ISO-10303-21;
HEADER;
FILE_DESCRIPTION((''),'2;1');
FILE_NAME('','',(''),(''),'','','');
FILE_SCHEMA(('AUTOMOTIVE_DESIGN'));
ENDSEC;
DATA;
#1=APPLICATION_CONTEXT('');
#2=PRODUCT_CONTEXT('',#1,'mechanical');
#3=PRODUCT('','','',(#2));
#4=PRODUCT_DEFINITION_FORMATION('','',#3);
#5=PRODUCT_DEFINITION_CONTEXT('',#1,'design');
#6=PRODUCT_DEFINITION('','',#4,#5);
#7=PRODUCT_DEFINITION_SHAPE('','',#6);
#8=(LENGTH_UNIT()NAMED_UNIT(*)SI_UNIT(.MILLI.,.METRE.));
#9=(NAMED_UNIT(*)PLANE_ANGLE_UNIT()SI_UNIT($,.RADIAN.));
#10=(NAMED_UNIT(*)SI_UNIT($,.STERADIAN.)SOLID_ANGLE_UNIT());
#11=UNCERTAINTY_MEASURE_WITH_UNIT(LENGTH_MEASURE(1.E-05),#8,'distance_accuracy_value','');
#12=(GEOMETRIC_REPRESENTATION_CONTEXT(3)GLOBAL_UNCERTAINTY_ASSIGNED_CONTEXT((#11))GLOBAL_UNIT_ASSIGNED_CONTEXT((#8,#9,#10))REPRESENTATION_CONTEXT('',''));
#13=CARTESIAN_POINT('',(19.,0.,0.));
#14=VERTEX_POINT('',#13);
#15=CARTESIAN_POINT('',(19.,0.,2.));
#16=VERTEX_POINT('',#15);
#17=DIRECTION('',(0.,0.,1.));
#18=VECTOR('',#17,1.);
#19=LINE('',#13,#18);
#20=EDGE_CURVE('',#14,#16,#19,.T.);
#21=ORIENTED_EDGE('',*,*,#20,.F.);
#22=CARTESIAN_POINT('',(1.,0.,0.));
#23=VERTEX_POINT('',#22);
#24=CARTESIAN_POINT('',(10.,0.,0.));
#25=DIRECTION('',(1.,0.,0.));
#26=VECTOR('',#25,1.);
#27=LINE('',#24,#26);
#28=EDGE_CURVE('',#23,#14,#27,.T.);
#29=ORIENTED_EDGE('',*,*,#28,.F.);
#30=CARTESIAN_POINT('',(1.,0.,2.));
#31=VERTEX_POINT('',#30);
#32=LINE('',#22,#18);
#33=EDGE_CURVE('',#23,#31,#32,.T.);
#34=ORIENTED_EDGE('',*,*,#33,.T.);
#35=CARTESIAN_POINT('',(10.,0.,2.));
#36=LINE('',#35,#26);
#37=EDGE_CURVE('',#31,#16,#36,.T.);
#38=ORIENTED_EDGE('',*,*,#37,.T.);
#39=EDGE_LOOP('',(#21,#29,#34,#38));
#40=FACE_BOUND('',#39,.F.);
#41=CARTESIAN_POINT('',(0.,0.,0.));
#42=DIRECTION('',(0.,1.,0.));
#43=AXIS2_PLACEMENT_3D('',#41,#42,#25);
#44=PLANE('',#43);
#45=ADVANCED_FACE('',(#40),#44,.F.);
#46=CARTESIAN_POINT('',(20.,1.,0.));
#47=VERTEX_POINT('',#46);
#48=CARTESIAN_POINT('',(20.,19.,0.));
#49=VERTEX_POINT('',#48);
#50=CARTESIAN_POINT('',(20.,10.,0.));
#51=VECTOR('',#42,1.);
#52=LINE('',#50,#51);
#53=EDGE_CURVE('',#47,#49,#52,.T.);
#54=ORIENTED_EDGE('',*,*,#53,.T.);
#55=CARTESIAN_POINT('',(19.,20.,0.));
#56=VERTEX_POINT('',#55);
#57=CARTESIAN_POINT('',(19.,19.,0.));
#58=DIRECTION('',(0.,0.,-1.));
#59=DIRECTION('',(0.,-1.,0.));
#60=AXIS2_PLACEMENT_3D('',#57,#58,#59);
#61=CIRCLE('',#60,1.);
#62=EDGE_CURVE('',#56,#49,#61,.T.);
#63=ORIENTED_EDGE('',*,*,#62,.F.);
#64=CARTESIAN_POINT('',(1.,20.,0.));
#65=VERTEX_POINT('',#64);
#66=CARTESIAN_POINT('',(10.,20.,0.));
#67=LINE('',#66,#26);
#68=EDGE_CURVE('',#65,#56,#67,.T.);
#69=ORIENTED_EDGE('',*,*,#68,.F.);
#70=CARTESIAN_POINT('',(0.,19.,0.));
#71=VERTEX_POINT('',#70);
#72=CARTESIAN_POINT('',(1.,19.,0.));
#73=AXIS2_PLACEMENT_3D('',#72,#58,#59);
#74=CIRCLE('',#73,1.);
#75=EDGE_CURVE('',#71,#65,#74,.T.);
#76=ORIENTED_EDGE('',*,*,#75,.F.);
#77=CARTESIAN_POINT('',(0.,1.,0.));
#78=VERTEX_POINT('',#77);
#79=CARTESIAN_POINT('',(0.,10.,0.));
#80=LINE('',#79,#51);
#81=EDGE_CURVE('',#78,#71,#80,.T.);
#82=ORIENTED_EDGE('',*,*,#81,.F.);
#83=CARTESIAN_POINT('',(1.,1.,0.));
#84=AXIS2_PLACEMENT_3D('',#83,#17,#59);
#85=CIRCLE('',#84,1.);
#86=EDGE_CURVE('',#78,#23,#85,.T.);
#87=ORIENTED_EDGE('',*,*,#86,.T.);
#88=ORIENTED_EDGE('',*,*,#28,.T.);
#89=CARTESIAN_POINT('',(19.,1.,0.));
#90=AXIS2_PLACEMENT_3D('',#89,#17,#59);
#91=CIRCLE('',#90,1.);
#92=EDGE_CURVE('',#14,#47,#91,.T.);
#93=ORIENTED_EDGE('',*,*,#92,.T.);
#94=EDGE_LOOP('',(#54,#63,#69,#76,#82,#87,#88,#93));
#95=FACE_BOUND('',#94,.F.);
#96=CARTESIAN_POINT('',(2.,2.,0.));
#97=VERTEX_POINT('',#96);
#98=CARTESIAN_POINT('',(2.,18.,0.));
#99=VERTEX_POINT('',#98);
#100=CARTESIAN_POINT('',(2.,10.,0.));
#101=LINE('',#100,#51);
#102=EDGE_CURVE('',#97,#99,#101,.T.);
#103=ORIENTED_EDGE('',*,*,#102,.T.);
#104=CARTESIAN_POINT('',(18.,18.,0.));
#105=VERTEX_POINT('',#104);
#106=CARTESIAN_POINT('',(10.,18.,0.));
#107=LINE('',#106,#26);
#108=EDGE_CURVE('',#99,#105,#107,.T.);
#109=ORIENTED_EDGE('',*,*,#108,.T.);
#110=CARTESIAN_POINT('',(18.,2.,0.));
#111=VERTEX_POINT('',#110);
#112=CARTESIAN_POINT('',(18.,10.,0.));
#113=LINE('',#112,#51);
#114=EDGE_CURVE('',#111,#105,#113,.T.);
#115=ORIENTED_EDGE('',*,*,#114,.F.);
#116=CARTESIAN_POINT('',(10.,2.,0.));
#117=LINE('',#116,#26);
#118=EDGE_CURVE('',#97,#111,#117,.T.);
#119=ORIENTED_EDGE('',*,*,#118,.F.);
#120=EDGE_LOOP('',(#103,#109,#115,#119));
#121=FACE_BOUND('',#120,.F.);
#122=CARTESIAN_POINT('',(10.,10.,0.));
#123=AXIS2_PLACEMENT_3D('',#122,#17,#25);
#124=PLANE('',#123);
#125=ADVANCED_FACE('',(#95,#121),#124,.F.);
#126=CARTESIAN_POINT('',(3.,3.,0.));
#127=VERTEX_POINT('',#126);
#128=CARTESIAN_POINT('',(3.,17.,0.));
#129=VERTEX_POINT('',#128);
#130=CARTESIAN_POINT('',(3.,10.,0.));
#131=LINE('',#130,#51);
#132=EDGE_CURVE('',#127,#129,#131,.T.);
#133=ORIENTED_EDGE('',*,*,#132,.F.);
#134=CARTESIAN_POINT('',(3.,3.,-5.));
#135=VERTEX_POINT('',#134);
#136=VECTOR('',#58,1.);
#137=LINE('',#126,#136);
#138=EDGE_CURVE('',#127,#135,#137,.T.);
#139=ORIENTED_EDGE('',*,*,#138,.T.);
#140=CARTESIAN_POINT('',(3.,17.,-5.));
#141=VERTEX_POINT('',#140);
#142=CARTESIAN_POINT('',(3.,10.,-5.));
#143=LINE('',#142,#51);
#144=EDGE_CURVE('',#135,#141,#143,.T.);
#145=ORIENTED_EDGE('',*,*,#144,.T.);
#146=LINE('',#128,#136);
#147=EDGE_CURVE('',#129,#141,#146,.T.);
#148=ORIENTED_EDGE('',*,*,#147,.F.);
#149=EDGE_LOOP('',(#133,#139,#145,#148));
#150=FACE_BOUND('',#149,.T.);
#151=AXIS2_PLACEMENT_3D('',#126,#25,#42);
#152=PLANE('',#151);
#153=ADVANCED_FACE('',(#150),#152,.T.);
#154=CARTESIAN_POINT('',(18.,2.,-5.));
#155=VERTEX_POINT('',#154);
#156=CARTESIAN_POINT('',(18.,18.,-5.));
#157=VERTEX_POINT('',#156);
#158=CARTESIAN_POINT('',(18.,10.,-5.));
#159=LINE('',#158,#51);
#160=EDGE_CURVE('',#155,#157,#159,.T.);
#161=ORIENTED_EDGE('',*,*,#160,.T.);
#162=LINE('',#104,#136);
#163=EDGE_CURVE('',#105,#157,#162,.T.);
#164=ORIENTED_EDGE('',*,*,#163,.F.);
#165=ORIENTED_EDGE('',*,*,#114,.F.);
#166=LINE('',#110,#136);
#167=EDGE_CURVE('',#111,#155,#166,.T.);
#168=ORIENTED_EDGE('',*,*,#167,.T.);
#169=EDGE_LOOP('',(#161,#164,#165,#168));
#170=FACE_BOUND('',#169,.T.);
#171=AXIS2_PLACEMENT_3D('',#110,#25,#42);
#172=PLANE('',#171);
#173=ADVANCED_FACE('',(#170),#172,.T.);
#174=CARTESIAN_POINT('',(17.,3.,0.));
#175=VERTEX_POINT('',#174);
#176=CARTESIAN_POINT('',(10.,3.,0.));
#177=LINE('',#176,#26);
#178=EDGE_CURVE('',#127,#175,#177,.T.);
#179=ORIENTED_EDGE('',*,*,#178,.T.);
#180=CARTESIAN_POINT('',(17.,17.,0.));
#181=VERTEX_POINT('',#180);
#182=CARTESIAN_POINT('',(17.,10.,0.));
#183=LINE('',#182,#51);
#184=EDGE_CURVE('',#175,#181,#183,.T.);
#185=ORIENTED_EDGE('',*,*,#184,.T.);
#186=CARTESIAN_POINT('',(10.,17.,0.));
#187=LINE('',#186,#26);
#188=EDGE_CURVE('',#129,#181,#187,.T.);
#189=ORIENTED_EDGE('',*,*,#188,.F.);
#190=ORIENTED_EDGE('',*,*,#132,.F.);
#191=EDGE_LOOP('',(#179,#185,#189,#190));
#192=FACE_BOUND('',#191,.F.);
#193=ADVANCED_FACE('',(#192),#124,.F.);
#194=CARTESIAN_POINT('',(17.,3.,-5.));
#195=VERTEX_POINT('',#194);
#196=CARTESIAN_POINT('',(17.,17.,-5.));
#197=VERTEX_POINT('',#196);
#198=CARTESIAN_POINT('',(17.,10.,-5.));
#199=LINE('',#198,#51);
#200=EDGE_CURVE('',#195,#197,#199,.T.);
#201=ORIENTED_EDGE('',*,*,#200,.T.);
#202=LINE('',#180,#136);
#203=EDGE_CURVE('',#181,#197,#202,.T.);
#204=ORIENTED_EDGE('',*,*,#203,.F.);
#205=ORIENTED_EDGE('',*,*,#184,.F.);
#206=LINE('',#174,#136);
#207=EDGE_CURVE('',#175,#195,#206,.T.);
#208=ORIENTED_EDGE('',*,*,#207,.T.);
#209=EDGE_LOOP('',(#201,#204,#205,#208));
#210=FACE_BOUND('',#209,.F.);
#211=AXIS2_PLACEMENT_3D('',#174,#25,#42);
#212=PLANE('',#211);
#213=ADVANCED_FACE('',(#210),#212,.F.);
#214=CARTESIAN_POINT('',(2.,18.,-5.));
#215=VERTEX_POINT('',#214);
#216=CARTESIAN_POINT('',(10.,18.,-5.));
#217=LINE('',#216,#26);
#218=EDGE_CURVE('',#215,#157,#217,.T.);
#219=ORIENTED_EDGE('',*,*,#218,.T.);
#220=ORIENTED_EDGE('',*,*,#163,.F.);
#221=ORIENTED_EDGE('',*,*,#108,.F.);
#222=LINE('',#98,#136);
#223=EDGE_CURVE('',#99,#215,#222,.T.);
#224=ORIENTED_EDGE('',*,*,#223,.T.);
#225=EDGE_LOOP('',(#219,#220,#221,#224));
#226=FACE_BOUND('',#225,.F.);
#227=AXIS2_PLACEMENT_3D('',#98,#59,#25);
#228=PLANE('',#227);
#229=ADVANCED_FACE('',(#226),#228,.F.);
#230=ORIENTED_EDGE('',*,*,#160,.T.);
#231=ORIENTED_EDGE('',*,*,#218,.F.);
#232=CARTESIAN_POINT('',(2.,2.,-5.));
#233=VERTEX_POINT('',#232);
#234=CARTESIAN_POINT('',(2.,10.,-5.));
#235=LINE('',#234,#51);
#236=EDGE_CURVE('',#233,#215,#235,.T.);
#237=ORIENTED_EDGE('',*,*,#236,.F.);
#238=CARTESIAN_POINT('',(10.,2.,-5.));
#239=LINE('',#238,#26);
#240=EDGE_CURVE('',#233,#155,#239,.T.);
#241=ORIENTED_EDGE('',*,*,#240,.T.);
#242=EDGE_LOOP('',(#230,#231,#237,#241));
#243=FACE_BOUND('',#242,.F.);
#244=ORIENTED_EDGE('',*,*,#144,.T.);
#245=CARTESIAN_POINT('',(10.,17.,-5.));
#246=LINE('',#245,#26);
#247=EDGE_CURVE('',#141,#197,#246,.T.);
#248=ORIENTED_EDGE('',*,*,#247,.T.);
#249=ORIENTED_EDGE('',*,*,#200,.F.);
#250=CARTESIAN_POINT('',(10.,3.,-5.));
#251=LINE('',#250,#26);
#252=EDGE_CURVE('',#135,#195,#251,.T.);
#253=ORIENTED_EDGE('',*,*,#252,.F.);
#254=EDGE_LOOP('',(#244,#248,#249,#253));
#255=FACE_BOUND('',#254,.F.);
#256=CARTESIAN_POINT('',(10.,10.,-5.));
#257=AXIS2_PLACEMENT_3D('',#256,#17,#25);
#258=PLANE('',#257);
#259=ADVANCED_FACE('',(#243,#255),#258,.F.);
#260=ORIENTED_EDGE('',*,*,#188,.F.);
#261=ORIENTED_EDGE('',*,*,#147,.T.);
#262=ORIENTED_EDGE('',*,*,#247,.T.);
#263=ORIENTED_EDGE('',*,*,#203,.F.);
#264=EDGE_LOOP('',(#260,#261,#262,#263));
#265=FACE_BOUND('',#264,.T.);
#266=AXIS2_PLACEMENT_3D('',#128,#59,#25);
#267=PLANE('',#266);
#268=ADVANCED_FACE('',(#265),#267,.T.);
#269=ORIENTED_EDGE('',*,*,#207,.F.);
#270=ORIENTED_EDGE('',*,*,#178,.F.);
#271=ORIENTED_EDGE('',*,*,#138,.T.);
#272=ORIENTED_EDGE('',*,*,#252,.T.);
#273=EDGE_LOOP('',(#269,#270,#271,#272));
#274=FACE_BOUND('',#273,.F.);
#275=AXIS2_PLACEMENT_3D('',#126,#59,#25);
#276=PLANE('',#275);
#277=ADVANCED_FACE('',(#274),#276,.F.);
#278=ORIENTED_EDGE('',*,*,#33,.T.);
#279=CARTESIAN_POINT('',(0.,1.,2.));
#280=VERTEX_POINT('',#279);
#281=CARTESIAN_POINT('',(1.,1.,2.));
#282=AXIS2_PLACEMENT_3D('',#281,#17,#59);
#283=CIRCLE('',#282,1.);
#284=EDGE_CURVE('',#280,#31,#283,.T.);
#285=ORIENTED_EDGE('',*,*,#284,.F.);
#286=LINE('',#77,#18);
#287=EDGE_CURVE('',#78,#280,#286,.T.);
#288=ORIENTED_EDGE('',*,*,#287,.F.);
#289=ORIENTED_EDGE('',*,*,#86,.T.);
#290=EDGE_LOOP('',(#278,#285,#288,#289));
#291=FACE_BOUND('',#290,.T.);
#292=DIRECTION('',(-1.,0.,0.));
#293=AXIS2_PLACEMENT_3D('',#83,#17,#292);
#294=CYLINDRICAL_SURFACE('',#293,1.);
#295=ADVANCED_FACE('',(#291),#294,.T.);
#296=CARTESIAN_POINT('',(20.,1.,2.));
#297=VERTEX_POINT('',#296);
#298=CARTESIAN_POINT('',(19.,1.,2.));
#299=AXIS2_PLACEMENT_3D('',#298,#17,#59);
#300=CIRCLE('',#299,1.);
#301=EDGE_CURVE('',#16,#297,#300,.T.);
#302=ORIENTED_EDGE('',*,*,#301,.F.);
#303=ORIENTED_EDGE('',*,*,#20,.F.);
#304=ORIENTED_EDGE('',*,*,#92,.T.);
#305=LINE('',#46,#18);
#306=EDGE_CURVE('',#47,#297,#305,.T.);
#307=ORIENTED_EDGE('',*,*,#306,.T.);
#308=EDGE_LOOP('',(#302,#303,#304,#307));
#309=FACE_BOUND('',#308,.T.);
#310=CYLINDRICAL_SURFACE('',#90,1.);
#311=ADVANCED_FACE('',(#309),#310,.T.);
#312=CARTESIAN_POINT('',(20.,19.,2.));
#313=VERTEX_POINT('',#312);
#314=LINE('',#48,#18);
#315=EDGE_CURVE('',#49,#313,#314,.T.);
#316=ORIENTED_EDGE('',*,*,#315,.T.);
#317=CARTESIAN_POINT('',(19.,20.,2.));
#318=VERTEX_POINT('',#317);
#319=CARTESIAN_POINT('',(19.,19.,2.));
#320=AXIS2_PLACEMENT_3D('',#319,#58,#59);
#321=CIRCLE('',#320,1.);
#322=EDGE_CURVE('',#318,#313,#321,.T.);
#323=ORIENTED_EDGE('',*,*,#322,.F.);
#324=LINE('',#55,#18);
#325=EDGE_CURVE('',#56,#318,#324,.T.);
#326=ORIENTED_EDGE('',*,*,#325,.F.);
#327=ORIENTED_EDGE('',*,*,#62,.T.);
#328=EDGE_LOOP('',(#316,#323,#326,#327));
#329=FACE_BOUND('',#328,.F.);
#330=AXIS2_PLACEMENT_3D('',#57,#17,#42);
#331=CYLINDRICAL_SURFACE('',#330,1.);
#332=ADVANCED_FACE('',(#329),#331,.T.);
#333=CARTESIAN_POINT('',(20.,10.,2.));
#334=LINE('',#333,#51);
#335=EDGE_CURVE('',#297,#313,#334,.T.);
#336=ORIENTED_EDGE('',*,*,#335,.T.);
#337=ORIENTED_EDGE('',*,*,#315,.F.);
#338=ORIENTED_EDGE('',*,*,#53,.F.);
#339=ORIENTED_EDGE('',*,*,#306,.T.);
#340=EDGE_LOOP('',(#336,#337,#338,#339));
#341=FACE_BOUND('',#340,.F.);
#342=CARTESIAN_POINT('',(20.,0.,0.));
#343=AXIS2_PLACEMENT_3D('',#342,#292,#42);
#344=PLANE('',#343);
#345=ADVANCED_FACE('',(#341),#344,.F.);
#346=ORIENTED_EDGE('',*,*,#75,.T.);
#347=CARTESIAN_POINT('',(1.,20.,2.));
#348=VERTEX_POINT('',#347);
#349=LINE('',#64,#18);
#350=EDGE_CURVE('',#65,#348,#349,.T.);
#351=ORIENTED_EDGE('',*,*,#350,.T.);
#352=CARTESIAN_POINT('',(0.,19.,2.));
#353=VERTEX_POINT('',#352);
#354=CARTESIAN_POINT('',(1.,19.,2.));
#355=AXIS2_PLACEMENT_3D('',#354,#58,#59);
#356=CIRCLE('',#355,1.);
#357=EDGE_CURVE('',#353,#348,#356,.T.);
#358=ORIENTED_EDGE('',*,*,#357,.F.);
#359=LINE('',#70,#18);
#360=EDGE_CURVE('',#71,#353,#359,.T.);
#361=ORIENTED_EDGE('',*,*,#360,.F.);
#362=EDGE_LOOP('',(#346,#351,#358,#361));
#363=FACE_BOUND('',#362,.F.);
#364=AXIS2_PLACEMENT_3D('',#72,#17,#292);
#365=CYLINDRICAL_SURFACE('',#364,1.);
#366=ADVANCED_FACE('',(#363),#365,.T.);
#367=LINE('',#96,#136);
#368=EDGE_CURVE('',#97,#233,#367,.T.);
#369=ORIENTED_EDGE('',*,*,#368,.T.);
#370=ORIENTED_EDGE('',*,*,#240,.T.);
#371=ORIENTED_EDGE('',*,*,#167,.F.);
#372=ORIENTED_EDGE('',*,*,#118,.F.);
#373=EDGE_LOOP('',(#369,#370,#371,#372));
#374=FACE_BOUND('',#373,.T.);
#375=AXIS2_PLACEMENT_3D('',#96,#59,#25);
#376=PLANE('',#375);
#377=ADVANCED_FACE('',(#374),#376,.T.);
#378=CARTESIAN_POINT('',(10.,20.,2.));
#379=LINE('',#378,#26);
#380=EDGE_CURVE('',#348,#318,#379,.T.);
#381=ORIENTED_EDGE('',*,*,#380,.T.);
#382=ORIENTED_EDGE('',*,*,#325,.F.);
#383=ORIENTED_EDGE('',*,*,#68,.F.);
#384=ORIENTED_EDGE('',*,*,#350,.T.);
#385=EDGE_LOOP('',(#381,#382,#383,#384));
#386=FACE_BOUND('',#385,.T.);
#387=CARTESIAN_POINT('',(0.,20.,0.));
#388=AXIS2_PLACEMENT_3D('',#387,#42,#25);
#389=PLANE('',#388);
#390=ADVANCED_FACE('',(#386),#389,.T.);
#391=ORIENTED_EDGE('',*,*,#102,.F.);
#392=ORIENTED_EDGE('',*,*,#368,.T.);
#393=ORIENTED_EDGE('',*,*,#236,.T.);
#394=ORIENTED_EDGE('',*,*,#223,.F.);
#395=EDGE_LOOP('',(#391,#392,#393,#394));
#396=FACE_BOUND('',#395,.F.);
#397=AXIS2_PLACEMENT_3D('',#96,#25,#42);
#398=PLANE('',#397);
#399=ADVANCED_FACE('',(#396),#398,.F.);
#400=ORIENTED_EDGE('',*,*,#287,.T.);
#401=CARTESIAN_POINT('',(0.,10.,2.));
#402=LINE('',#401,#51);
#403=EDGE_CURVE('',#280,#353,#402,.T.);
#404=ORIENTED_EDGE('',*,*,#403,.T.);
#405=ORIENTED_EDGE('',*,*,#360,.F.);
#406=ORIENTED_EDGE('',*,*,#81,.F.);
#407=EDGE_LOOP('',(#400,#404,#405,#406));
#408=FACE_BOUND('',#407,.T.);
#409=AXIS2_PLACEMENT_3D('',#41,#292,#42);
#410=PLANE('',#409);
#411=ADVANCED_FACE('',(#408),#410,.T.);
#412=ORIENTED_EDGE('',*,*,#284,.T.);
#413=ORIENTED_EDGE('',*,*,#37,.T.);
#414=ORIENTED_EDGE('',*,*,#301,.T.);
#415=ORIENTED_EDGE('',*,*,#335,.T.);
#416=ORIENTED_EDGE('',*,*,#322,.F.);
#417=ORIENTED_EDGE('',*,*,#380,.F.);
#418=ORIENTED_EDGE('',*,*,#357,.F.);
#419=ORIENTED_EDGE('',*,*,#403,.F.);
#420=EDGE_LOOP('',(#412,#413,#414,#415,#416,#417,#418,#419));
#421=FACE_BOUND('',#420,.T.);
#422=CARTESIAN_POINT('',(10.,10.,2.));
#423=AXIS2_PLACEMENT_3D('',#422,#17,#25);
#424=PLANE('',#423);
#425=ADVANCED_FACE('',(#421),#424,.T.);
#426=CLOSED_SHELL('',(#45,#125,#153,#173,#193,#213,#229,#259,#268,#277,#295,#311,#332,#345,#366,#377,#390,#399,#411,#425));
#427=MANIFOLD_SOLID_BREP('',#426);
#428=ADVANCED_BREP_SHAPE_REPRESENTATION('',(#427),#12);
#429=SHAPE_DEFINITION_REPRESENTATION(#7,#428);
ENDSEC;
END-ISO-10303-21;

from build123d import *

# Parameters (mm, degrees)
SZKIC1_W                    = 20
SZKIC1_H                    = 20
DODANIE_WYCI_GNI_CIE1_DEPTH = 2
SZKIC1_4_W                  = 16
SZKIC1_4_H                  = 16
SZKIC1_4_W_2                = 14
SZKIC1_4_H_2                = 14
DODANIE_WYCI_GNI_CIE2_DEPTH = 5
ZAOKR_GLENIE1_R             = 1


with BuildPart() as part:
    # Szkic1 → Dodanie-wyciągnięcie1 (new body)
    with BuildSketch(Plane.XY):
        with Locations((10, 10)):
            Rectangle(SZKIC1_W, SZKIC1_H)
    extrude(amount=DODANIE_WYCI_GNI_CIE1_DEPTH)

    # Szkic1<4> → Dodanie-wyciągnięcie2 (add)
    with BuildSketch(Plane.XY):
        with Locations((10, 10)):
            Rectangle(SZKIC1_4_W, SZKIC1_4_H)
        with Locations((10, 10)):
            Rectangle(SZKIC1_4_W_2, SZKIC1_4_H_2, mode=Mode.SUBTRACT)
    extrude(amount=-DODANIE_WYCI_GNI_CIE2_DEPTH)

    # Zaokrąglenie1
    zaokr_glenie1_edges = [part.edges().sort_by_distance(p)[0] for p in [
        (20, 0, 1),
        (0, 0, 1),
        (20, 20, 1),
        (0, 20, 1),
    ]]
    fillet(zaokr_glenie1_edges, radius=ZAOKR_GLENIE1_R)


solid = part.part
